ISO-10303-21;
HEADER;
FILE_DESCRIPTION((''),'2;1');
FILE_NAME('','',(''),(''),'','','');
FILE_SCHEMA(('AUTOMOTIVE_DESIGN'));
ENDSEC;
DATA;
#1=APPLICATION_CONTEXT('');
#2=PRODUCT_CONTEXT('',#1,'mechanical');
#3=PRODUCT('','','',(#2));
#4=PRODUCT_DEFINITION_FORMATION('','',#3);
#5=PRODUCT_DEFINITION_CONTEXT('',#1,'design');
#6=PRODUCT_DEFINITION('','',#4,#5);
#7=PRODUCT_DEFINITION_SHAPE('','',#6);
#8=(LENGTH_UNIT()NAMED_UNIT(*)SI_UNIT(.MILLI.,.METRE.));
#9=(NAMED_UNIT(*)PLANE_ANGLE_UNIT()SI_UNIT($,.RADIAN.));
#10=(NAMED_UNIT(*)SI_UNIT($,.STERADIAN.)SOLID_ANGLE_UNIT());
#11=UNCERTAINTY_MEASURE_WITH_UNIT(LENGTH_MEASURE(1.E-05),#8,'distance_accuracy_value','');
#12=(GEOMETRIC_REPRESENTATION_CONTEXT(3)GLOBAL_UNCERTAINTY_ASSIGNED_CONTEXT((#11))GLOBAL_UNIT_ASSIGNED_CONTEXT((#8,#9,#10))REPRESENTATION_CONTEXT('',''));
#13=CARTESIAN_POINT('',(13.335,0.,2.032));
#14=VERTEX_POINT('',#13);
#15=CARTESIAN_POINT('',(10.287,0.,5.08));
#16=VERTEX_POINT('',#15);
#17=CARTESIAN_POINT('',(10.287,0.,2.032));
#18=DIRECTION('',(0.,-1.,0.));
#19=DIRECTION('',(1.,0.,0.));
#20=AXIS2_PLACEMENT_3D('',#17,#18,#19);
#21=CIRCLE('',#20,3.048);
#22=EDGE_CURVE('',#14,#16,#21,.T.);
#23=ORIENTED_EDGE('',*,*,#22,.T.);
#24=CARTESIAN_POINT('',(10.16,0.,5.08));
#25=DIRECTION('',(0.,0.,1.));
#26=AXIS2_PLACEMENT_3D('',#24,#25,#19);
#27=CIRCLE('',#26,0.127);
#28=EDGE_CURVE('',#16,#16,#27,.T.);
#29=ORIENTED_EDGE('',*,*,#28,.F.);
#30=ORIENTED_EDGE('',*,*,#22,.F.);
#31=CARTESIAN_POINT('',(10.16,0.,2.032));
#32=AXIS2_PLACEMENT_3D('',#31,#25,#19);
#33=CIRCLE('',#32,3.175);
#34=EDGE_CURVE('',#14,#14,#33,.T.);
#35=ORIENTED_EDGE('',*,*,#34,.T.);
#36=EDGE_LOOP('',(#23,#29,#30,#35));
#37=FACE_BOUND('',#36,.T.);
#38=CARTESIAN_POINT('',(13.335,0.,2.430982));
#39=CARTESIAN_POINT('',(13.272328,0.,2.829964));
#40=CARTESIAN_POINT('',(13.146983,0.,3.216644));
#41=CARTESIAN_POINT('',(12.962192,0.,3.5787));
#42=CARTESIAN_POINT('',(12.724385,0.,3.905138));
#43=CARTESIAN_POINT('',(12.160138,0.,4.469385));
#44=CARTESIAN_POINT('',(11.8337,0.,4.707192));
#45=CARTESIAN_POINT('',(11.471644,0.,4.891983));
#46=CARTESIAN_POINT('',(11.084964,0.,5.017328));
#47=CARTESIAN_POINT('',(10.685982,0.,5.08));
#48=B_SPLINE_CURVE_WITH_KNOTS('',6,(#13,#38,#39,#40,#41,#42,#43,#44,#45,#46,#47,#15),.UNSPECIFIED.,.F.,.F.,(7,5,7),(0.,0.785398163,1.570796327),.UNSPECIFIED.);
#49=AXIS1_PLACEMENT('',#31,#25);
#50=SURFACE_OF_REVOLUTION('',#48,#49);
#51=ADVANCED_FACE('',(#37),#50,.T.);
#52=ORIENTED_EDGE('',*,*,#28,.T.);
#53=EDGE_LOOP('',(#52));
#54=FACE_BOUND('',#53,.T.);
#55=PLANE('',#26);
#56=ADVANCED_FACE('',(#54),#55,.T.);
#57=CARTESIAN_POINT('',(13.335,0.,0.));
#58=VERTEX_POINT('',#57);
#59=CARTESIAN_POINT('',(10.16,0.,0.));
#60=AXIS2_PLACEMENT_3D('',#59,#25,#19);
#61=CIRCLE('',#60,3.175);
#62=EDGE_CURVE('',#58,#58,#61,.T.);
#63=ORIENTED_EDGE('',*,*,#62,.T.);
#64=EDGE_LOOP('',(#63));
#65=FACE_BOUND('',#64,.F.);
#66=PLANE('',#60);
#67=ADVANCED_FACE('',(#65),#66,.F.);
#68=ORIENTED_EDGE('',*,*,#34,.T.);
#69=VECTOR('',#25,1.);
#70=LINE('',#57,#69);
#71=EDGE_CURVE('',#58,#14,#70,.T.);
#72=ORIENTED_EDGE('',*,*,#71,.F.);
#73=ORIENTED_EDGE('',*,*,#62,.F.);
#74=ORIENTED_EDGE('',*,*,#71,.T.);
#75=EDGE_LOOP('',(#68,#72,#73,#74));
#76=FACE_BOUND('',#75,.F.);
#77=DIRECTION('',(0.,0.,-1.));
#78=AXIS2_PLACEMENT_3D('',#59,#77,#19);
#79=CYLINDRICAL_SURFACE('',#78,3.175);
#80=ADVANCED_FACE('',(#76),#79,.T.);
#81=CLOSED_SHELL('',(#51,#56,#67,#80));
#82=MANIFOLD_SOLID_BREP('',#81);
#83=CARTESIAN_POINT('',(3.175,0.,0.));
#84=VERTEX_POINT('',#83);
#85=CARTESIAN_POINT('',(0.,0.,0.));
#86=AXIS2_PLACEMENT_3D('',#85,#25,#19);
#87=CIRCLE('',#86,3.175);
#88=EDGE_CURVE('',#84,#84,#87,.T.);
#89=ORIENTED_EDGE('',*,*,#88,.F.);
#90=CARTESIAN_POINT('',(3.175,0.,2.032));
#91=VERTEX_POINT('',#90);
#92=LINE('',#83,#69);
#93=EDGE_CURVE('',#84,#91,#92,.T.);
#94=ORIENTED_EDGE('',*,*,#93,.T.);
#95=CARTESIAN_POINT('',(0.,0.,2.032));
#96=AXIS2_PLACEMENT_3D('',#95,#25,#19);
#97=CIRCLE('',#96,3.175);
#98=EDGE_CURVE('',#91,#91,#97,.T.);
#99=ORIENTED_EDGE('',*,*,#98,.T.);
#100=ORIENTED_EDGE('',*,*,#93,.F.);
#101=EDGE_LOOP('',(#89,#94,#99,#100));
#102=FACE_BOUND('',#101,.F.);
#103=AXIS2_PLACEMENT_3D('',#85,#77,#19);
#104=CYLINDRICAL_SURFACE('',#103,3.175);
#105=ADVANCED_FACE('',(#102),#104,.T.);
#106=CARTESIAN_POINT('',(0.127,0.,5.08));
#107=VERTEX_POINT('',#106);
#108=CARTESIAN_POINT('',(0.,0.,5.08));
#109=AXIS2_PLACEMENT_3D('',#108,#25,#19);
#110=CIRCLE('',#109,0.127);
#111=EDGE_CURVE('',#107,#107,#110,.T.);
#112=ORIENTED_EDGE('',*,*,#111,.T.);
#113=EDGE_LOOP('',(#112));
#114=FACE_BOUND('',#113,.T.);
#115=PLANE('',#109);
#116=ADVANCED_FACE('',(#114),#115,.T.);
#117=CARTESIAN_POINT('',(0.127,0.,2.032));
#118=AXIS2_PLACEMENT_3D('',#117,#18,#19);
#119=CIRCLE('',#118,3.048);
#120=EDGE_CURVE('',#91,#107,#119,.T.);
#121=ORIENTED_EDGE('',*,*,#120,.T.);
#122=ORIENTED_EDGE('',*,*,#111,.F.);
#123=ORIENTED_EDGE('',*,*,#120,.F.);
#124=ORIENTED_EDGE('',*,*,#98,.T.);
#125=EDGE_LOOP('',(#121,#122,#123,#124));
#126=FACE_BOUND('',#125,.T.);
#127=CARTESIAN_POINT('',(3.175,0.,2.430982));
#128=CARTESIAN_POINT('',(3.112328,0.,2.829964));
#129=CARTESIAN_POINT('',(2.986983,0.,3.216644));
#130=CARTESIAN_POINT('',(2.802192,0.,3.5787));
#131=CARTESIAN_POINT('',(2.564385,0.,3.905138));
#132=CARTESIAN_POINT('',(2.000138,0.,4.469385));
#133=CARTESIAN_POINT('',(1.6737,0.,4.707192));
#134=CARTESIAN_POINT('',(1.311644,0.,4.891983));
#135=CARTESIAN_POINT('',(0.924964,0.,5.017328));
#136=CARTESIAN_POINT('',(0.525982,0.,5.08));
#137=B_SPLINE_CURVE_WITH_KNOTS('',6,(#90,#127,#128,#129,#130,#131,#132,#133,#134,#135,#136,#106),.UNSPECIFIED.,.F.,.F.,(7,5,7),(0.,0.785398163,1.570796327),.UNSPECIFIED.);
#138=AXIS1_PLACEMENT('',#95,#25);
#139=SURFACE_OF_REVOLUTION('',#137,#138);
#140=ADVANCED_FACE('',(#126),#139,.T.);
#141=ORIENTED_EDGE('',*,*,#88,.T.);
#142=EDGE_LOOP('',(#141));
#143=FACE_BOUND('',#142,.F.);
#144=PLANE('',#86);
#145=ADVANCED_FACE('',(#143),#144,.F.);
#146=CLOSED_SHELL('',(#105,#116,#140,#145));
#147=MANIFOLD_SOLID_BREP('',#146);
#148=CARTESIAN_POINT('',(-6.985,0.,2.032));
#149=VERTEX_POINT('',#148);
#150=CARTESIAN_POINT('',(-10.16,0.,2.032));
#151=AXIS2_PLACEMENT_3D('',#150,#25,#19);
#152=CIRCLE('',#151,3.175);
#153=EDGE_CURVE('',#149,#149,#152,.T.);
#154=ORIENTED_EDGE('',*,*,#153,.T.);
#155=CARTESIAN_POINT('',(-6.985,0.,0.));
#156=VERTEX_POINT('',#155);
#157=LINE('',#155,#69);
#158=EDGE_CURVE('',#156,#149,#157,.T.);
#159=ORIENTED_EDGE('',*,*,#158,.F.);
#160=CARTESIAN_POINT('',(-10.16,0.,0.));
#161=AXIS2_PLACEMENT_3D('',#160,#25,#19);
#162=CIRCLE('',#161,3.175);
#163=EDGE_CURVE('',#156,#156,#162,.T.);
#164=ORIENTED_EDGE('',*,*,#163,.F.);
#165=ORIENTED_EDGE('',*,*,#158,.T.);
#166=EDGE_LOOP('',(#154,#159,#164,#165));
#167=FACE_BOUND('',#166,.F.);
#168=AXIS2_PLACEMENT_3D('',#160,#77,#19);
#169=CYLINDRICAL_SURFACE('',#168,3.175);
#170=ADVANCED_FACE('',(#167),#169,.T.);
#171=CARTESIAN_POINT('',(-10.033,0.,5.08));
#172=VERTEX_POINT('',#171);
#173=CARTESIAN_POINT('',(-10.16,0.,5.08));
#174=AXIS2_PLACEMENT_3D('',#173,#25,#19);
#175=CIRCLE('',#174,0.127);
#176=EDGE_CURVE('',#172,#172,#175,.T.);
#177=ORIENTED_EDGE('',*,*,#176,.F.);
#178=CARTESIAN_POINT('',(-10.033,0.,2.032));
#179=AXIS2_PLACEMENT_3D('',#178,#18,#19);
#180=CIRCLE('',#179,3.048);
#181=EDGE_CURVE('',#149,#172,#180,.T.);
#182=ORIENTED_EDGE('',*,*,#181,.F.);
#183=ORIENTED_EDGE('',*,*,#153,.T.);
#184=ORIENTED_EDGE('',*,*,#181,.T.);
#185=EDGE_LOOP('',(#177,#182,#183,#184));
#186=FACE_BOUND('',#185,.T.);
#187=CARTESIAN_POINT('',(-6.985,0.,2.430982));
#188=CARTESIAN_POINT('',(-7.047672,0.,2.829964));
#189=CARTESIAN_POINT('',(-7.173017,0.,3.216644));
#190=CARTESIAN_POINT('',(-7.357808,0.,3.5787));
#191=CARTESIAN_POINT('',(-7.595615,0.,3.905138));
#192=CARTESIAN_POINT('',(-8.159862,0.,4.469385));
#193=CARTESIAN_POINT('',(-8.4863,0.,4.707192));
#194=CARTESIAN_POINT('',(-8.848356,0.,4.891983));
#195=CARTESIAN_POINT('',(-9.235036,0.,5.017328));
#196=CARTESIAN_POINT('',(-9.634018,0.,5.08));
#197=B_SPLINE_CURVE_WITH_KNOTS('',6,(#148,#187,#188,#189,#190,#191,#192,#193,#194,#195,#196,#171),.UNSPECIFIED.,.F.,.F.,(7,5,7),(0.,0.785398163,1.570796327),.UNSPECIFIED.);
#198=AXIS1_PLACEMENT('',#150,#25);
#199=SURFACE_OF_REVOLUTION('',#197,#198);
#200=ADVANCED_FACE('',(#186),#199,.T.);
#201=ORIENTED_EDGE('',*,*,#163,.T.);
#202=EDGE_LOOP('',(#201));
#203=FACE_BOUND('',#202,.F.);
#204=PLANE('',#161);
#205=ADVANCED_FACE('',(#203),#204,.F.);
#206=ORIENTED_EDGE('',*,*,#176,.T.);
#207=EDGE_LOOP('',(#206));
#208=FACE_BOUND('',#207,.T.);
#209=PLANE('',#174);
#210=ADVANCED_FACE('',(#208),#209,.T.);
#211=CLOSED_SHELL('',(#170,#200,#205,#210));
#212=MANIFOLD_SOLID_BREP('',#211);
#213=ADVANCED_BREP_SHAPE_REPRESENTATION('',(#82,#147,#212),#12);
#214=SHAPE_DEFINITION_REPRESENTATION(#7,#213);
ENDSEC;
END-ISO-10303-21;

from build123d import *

# Parameters (mm, degrees)
F0_R     = 3.175
F3_DEPTH = 5.08
F1_R     = 3.175
F4_DEPTH = 5.08
F2_R     = 3.175
F5_DEPTH = 5.08
F6_R     = 3.048
F7_R     = 3.048
F7_2_R   = 3.048


with BuildPart() as f3:
    # F0 (on Top) → F3 (new body)
    with BuildSketch(Plane.XY):
        with Locations((-10.16, 0)):
            Circle(F0_R)
    extrude(amount=F3_DEPTH)

    # F6
    f6_edges = [f3.edges().sort_by_distance(p)[0] for p in [
        (-13.335, 0, 5.08),
    ]]
    fillet(f6_edges, radius=F6_R)


with BuildPart() as f4:
    # F1 (on Top) → F4 (new body)
    with BuildSketch(Plane.XY):
        Circle(F1_R)
    extrude(amount=F4_DEPTH)

    # F7
    f7_edges = [f4.edges().sort_by_distance(p)[0] for p in [
        (-3.175, 0, 5.08),
    ]]
    fillet(f7_edges, radius=F7_R)


with BuildPart() as f5:
    # F2 (on Top) → F5 (new body)
    with BuildSketch(Plane.XY):
        with Locations((10.16, 0)):
            Circle(F2_R)
    extrude(amount=F5_DEPTH)

    # F7#2
    f7_2_edges = [f5.edges().sort_by_distance(p)[0] for p in [
        (6.985, 0, 5.08),
    ]]
    fillet(f7_2_edges, radius=F7_2_R)


solid = Compound([f3.part, f4.part, f5.part])
